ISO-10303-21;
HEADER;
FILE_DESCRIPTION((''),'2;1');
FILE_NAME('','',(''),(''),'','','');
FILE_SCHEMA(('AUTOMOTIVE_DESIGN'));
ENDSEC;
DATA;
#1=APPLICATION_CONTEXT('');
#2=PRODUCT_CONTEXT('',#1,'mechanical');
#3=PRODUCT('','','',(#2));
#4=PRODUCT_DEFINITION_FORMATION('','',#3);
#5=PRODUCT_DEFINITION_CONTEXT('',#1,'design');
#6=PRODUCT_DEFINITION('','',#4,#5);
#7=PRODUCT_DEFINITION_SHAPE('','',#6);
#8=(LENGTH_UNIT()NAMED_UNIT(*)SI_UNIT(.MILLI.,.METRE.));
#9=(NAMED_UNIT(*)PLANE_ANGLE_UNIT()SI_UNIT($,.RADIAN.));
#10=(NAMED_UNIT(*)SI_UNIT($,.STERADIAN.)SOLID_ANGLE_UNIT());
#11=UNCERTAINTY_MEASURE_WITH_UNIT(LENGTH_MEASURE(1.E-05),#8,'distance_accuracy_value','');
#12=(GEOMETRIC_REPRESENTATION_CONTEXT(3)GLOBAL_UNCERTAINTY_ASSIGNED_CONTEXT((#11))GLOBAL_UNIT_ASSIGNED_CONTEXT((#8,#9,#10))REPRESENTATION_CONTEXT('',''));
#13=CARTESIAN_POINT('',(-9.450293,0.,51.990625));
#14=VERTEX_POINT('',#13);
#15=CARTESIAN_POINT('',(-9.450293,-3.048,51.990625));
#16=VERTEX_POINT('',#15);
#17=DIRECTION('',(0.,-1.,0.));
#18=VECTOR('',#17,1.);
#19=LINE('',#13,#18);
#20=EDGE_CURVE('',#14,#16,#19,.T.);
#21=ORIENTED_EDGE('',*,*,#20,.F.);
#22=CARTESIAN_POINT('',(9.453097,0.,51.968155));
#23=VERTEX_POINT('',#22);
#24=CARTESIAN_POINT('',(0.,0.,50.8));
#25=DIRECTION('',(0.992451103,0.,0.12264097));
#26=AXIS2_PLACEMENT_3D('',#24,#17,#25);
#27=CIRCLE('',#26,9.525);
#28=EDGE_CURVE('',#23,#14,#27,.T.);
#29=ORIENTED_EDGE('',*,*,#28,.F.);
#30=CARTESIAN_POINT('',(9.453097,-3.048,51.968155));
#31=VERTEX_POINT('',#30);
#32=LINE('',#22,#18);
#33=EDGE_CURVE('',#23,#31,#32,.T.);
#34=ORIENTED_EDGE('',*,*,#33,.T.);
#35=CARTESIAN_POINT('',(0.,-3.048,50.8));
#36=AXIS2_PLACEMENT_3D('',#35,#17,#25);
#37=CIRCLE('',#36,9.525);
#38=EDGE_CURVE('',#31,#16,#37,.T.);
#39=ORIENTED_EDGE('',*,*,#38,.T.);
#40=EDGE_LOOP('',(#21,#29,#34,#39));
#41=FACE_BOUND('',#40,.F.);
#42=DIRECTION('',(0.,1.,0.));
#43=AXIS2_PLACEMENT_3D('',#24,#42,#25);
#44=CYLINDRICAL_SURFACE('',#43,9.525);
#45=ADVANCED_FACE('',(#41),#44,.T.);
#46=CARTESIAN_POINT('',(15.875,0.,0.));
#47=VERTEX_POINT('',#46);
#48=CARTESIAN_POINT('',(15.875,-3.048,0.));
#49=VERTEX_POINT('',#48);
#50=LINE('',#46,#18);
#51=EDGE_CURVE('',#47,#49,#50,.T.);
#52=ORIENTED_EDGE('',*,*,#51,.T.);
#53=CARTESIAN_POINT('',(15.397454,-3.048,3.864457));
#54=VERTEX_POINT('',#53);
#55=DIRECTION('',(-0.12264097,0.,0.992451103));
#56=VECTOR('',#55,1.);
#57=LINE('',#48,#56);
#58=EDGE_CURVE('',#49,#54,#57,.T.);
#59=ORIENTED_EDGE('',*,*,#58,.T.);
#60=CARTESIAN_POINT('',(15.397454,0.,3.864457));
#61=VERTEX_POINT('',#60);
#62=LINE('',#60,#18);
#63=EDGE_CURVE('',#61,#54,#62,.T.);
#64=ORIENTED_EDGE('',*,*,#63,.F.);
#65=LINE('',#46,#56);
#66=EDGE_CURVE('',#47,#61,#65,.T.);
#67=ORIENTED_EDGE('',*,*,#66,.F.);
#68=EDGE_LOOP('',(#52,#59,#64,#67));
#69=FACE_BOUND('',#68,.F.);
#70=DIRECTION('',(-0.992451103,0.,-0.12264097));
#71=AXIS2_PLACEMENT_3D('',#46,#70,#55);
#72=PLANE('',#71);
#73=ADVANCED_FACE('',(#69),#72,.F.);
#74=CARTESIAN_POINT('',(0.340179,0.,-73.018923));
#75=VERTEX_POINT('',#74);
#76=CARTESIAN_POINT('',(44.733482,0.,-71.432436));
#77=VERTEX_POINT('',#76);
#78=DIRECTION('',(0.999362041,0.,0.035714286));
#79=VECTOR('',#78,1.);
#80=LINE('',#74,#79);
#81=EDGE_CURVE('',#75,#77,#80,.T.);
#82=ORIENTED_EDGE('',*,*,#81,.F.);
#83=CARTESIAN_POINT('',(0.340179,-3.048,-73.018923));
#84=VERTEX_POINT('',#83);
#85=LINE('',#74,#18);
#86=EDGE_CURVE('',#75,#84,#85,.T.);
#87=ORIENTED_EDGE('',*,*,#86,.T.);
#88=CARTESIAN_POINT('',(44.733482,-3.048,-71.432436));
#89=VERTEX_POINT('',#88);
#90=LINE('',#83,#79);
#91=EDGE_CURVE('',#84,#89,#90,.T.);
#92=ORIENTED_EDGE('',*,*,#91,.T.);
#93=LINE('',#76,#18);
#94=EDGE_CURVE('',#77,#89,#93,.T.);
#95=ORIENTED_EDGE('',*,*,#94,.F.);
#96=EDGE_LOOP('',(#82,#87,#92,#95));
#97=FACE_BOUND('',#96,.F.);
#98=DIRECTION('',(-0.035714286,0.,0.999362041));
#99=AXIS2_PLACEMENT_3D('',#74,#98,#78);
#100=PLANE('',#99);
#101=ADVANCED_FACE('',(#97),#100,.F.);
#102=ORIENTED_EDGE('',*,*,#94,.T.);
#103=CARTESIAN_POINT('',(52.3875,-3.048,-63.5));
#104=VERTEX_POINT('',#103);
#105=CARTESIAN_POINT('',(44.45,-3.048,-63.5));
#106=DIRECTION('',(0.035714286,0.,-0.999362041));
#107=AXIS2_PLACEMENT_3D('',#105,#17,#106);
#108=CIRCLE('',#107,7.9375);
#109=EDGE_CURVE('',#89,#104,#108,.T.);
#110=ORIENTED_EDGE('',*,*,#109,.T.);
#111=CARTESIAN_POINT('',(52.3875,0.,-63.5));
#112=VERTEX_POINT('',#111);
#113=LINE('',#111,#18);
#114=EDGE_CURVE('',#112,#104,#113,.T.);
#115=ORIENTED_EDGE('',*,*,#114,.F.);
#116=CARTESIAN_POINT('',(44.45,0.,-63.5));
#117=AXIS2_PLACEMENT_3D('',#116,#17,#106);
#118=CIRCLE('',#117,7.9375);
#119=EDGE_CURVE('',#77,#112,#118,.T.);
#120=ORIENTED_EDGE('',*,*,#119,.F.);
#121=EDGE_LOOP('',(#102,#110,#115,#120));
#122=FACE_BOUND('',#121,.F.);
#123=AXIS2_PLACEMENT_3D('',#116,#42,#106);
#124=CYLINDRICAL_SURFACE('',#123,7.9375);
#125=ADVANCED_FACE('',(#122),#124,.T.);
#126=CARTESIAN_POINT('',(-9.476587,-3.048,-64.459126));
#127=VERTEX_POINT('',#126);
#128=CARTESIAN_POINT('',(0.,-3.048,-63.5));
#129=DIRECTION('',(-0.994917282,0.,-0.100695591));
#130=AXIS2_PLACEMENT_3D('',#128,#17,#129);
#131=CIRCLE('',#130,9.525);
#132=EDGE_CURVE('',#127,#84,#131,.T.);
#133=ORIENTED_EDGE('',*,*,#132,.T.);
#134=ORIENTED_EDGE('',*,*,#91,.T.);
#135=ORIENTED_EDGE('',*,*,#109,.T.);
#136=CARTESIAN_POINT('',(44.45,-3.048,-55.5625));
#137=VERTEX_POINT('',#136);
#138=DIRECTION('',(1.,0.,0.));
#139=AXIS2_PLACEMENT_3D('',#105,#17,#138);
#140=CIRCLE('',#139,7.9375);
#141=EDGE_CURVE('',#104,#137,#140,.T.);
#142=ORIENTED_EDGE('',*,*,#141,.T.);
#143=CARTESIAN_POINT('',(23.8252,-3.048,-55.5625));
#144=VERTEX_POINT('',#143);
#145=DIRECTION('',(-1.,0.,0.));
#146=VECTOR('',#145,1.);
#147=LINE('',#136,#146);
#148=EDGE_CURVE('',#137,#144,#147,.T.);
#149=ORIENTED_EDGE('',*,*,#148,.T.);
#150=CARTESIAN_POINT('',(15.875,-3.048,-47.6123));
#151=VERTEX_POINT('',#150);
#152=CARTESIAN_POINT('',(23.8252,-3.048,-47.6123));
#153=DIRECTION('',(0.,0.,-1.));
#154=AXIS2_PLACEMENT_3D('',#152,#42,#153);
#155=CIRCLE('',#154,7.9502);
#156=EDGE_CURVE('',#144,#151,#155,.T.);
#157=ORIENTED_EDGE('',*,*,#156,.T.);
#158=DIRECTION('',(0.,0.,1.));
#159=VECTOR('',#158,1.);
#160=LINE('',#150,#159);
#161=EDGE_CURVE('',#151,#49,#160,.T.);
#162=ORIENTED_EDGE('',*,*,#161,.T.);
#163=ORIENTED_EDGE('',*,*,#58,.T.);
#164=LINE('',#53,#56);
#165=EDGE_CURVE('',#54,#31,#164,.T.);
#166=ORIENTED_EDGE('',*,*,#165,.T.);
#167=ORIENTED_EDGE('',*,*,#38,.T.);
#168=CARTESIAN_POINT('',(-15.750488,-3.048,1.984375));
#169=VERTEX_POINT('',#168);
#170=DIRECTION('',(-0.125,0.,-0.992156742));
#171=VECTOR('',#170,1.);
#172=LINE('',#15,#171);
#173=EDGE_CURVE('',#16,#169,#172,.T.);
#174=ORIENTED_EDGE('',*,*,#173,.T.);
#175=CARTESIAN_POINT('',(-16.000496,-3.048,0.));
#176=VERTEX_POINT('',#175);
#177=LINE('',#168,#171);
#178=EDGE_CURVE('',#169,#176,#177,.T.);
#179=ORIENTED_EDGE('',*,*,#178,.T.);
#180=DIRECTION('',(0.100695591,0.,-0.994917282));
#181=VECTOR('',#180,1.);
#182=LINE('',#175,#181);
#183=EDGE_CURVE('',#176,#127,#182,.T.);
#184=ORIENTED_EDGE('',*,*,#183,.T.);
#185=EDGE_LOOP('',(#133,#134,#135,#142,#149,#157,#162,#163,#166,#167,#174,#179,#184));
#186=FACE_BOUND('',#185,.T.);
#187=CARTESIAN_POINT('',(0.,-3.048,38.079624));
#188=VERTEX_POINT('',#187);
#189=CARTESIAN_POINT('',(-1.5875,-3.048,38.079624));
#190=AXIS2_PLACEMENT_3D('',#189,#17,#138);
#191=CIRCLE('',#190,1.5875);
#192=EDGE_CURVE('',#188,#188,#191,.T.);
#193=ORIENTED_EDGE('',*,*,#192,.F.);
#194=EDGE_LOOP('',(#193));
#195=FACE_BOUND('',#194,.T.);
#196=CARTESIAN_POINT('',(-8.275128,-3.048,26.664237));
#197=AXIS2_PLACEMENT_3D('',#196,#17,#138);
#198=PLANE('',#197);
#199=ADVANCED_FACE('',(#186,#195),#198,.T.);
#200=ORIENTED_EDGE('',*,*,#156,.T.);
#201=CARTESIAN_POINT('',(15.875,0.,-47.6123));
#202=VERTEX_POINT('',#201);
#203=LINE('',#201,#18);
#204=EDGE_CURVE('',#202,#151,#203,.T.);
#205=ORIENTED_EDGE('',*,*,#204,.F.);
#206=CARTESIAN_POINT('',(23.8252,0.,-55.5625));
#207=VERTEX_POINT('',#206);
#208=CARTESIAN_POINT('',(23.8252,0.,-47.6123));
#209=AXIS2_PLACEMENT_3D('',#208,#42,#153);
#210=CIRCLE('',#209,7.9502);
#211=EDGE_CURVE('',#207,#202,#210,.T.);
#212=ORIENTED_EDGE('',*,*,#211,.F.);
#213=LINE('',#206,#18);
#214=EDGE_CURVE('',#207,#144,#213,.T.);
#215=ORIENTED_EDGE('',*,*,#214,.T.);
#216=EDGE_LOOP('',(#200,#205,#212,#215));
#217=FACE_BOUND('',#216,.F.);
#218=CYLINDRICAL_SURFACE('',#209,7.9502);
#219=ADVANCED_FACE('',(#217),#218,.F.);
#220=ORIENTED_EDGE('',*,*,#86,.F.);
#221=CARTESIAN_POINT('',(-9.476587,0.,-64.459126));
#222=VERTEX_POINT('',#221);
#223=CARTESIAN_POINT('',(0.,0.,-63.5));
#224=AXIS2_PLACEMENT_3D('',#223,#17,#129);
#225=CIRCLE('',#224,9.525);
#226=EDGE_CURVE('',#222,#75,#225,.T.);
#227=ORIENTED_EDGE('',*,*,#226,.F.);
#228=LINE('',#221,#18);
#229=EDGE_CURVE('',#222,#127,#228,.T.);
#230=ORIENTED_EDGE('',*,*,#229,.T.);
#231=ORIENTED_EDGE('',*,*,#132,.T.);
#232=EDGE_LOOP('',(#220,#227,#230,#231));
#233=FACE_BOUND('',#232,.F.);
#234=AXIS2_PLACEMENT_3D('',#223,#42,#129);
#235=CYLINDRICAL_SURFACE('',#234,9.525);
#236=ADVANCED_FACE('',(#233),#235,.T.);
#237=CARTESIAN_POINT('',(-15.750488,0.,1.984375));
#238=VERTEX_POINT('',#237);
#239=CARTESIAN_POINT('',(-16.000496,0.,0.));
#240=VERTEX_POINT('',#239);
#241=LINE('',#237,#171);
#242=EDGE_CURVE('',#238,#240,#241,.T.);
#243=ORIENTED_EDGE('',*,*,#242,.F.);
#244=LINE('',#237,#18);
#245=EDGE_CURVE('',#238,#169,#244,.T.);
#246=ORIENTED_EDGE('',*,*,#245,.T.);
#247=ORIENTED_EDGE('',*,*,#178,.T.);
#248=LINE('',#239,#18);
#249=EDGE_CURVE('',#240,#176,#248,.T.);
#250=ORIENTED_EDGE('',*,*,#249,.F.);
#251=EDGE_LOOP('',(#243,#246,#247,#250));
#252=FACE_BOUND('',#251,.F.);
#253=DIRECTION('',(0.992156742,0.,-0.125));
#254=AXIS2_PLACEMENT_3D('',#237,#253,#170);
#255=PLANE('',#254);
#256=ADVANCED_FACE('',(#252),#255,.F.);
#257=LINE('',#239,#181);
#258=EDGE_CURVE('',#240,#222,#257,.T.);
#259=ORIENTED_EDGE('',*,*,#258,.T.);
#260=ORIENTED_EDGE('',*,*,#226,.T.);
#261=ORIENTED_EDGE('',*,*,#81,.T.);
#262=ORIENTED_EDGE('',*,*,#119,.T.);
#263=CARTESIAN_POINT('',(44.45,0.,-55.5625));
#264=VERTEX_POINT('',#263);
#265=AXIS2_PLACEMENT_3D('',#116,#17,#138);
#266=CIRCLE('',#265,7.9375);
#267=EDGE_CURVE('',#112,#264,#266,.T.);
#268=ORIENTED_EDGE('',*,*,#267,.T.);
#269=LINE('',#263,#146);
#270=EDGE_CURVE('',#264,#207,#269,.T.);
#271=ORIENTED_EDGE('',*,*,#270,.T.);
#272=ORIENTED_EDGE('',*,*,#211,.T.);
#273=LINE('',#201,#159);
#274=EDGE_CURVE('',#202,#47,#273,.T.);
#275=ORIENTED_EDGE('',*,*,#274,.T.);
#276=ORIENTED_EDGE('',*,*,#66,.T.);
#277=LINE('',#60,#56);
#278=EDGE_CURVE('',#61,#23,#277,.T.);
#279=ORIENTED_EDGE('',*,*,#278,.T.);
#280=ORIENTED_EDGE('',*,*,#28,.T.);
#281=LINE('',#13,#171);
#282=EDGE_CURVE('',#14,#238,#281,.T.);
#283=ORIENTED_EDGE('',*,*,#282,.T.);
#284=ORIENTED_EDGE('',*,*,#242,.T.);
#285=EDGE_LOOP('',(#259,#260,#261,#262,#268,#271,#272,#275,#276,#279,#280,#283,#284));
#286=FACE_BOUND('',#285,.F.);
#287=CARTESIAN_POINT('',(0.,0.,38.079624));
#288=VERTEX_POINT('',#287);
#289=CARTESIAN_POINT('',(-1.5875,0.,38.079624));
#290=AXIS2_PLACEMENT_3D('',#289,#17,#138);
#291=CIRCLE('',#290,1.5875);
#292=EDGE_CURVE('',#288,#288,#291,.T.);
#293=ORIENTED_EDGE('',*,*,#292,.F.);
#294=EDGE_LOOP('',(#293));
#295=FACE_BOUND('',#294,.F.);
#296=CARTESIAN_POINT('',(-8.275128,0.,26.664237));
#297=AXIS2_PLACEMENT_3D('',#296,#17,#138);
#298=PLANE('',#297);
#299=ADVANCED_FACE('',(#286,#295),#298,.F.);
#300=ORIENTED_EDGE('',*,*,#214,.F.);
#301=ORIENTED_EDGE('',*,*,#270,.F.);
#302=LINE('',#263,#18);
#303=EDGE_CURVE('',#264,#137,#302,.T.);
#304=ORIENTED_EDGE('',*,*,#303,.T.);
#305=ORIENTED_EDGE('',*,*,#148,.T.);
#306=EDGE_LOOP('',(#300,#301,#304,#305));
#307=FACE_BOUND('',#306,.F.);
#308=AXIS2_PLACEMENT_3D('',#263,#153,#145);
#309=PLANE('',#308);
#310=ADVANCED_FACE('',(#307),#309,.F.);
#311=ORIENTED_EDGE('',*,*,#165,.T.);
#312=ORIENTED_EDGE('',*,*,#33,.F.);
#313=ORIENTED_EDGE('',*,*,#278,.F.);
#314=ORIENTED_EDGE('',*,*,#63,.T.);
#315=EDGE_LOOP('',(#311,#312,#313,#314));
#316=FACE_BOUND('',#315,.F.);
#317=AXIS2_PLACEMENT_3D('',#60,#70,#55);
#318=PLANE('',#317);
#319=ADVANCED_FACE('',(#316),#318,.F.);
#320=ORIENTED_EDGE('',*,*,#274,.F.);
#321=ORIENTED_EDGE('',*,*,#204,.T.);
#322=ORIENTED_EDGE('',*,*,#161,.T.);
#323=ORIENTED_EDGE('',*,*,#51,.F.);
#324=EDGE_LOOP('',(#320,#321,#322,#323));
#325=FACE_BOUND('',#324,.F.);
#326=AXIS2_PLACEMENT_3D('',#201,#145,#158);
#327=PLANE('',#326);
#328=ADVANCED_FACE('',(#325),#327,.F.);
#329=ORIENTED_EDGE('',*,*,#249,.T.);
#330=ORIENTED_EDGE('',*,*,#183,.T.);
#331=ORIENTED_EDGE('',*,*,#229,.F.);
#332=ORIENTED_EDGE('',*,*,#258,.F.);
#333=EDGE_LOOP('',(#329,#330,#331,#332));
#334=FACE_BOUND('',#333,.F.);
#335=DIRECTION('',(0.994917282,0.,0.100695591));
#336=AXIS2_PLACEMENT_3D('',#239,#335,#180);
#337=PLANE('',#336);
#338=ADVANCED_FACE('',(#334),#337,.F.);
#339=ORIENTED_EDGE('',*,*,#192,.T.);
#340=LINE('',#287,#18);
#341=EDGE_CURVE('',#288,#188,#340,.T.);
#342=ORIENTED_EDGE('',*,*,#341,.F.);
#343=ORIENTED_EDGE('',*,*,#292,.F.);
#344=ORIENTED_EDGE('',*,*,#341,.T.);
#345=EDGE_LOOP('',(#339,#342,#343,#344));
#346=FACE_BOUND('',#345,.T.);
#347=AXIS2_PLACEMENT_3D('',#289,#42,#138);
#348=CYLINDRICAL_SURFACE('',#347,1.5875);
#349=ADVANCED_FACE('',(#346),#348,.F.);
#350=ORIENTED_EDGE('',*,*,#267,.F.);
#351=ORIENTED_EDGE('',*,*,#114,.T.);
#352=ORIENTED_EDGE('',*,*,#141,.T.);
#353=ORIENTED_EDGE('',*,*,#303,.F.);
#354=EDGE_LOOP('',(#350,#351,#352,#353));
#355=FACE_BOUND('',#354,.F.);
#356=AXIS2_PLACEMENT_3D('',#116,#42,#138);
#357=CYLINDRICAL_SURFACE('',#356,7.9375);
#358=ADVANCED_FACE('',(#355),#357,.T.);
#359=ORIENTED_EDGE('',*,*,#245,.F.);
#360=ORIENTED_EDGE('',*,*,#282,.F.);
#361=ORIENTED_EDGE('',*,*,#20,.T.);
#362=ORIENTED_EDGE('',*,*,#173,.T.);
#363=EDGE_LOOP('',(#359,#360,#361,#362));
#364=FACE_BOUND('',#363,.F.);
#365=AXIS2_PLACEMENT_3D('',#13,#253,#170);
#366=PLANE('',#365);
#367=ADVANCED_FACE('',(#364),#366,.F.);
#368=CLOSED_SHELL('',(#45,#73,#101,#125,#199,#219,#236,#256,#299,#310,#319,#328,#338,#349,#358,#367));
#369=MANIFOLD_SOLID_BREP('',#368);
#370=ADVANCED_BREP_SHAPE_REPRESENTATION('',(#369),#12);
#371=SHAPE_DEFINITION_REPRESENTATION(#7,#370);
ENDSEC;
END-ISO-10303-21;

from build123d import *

# Parameters (mm, degrees)
F0_R     = 1.5875
F1_DEPTH = 3.048


with BuildPart() as f1:
    # F0 (on Front) → F1 (new body)
    with BuildSketch(Plane.XZ):
        with BuildLine():
            Line((0, 38.0796237513), (0, 41.275))
            ThreePointArc((0, 41.275), (-7.14375, 44.4998046905), (-9.4502929642, 51.990625))
            Line((-9.4502929642, 51.990625), (-15.7504883039, 1.9843747602))
            ThreePointArc((-15.7504883039, 1.9843747602), (-10.5003256064, 11.9062499201), (0, 15.875))
            Line((0, 15.875), (0, 38.0796237513))
        make_face()
        with Locations((-1.5875, 38.0796237513)):
            Circle(F0_R, mode=Mode.SUBTRACT)
        with BuildLine():
            ThreePointArc((9.525, 50.8), (6.7351920908, 44.0648079092), (0, 41.275))
            Line((0, 41.275), (0, 38.0796237513))
            Line((0, 38.0796237513), (0, 15.875))
            ThreePointArc((0, 15.875), (9.76389722, 12.5172655192), (15.3974543628, 3.8644565138))
            Line((15.3974543628, 3.8644565138), (9.4530967593, 51.9681552373))
            ThreePointArc((9.4530967593, 51.9681552373), (9.5070071956, 51.3851830343), (9.525, 50.8))
        make_face()
        with BuildLine():
            ThreePointArc((15.3974543628, 3.8644565138), (9.76389722, 12.5172655192), (0, 15.875))
            Line((0, 15.875), (0, -15.875))
            ThreePointArc((0, -15.875), (11.2253201513, -11.2253201513), (15.875, 0))
            Line((15.875, 0), (15.3974543628, 3.8644565138))
        make_face()
        with BuildLine():
            Line((0, -15.875), (0, 15.875))
            ThreePointArc((0, 15.875), (-10.5003256064, 11.9062499201), (-15.7504883039, 1.9843747602))
            ThreePointArc((-15.7504883039, 1.9843747602), (-11.9062499201, -10.5003256064), (0, -15.875))
        make_face()
        with BuildLine():
            ThreePointArc((15.875, 0), (11.2253201513, -11.2253201513), (0, -15.875))
            Line((0, -15.875), (0, -53.975))
            ThreePointArc((0, -53.975), (6.7351920908, -56.7648079092), (9.525, -63.5))
            Line((9.525, -63.5), (36.5125, -63.5))
            ThreePointArc((36.5125, -63.5), (38.8373399243, -57.8873399243), (44.45, -55.5625))
            Line((44.45, -55.5625), (23.8252, -55.5625))
            ThreePointArc((23.8252, -55.5625), (18.2035596682, -53.2339403318), (15.875, -47.6123))
            Line((15.875, -47.6123), (15.875, 0))
        make_face()
        with BuildLine():
            ThreePointArc((0, -15.875), (-11.9062499201, -10.5003256064), (-15.7504883039, 1.9843747602))
            Line((-15.7504883039, 1.9843747602), (-16.0004960241, 0))
            Line((-16.0004960241, 0), (-9.4765871109, -64.4591255022))
            ThreePointArc((-9.4765871109, -64.4591255022), (-7.0661621623, -57.1129054105), (0, -53.975))
            Line((0, -53.975), (0, -15.875))
        make_face()
        with BuildLine():
            ThreePointArc((9.525, -63.5), (6.7351920908, -56.7648079092), (0, -53.975))
            Line((0, -53.975), (0, -63.5))
            Line((0, -63.5), (9.525, -63.5))
        make_face()
        with BuildLine():
            Line((0, -63.5), (0, -53.975))
            ThreePointArc((0, -53.975), (-7.0661621623, -57.1129054105), (-9.4765871109, -64.4591255022))
            ThreePointArc((-9.4765871109, -64.4591255022), (-6.2598742362, -70.6791085482), (0.3401785714, -73.0189234444))
            ThreePointArc((0.3401785714, -73.0189234444), (6.8544082857, -70.1138273378), (9.525, -63.5))
            Line((9.525, -63.5), (0, -63.5))
        make_face()
        with BuildLine():
            Line((36.5125, -63.5), (9.525, -63.5))
            ThreePointArc((9.525, -63.5), (6.8544082857, -70.1138273378), (0.3401785714, -73.0189234444))
            Line((0.3401785714, -73.0189234444), (44.7334821429, -71.4324362036))
            ThreePointArc((44.7334821429, -71.4324362036), (38.9384772185, -69.2120069047), (36.5125, -63.5))
        make_face()
        with BuildLine():
            ThreePointArc((-9.4502929642, 51.990625), (-7.14375, 44.4998046905), (0, 41.275))
            ThreePointArc((0, 41.275), (6.7351920908, 44.0648079092), (9.525, 50.8))
            ThreePointArc((9.525, 50.8), (9.5070071956, 51.3851830343), (9.4530967593, 51.9681552373))
            ThreePointArc((9.4530967593, 51.9681552373), (0.0113220085, 60.324993271), (-9.4502929642, 51.990625))
        make_face()
        with BuildLine():
            ThreePointArc((44.45, -55.5625), (38.8373399243, -57.8873399243), (36.5125, -63.5))
            ThreePointArc((36.5125, -63.5), (38.9384772185, -69.2120069047), (44.7334821429, -71.4324362036))
            ThreePointArc((44.7334821429, -71.4324362036), (50.1620069047, -69.0115227815), (52.3875, -63.5))
            ThreePointArc((52.3875, -63.5), (50.0626600757, -57.8873399243), (44.45, -55.5625))
        make_face()
    extrude(amount=F1_DEPTH)


solid = f1.part
